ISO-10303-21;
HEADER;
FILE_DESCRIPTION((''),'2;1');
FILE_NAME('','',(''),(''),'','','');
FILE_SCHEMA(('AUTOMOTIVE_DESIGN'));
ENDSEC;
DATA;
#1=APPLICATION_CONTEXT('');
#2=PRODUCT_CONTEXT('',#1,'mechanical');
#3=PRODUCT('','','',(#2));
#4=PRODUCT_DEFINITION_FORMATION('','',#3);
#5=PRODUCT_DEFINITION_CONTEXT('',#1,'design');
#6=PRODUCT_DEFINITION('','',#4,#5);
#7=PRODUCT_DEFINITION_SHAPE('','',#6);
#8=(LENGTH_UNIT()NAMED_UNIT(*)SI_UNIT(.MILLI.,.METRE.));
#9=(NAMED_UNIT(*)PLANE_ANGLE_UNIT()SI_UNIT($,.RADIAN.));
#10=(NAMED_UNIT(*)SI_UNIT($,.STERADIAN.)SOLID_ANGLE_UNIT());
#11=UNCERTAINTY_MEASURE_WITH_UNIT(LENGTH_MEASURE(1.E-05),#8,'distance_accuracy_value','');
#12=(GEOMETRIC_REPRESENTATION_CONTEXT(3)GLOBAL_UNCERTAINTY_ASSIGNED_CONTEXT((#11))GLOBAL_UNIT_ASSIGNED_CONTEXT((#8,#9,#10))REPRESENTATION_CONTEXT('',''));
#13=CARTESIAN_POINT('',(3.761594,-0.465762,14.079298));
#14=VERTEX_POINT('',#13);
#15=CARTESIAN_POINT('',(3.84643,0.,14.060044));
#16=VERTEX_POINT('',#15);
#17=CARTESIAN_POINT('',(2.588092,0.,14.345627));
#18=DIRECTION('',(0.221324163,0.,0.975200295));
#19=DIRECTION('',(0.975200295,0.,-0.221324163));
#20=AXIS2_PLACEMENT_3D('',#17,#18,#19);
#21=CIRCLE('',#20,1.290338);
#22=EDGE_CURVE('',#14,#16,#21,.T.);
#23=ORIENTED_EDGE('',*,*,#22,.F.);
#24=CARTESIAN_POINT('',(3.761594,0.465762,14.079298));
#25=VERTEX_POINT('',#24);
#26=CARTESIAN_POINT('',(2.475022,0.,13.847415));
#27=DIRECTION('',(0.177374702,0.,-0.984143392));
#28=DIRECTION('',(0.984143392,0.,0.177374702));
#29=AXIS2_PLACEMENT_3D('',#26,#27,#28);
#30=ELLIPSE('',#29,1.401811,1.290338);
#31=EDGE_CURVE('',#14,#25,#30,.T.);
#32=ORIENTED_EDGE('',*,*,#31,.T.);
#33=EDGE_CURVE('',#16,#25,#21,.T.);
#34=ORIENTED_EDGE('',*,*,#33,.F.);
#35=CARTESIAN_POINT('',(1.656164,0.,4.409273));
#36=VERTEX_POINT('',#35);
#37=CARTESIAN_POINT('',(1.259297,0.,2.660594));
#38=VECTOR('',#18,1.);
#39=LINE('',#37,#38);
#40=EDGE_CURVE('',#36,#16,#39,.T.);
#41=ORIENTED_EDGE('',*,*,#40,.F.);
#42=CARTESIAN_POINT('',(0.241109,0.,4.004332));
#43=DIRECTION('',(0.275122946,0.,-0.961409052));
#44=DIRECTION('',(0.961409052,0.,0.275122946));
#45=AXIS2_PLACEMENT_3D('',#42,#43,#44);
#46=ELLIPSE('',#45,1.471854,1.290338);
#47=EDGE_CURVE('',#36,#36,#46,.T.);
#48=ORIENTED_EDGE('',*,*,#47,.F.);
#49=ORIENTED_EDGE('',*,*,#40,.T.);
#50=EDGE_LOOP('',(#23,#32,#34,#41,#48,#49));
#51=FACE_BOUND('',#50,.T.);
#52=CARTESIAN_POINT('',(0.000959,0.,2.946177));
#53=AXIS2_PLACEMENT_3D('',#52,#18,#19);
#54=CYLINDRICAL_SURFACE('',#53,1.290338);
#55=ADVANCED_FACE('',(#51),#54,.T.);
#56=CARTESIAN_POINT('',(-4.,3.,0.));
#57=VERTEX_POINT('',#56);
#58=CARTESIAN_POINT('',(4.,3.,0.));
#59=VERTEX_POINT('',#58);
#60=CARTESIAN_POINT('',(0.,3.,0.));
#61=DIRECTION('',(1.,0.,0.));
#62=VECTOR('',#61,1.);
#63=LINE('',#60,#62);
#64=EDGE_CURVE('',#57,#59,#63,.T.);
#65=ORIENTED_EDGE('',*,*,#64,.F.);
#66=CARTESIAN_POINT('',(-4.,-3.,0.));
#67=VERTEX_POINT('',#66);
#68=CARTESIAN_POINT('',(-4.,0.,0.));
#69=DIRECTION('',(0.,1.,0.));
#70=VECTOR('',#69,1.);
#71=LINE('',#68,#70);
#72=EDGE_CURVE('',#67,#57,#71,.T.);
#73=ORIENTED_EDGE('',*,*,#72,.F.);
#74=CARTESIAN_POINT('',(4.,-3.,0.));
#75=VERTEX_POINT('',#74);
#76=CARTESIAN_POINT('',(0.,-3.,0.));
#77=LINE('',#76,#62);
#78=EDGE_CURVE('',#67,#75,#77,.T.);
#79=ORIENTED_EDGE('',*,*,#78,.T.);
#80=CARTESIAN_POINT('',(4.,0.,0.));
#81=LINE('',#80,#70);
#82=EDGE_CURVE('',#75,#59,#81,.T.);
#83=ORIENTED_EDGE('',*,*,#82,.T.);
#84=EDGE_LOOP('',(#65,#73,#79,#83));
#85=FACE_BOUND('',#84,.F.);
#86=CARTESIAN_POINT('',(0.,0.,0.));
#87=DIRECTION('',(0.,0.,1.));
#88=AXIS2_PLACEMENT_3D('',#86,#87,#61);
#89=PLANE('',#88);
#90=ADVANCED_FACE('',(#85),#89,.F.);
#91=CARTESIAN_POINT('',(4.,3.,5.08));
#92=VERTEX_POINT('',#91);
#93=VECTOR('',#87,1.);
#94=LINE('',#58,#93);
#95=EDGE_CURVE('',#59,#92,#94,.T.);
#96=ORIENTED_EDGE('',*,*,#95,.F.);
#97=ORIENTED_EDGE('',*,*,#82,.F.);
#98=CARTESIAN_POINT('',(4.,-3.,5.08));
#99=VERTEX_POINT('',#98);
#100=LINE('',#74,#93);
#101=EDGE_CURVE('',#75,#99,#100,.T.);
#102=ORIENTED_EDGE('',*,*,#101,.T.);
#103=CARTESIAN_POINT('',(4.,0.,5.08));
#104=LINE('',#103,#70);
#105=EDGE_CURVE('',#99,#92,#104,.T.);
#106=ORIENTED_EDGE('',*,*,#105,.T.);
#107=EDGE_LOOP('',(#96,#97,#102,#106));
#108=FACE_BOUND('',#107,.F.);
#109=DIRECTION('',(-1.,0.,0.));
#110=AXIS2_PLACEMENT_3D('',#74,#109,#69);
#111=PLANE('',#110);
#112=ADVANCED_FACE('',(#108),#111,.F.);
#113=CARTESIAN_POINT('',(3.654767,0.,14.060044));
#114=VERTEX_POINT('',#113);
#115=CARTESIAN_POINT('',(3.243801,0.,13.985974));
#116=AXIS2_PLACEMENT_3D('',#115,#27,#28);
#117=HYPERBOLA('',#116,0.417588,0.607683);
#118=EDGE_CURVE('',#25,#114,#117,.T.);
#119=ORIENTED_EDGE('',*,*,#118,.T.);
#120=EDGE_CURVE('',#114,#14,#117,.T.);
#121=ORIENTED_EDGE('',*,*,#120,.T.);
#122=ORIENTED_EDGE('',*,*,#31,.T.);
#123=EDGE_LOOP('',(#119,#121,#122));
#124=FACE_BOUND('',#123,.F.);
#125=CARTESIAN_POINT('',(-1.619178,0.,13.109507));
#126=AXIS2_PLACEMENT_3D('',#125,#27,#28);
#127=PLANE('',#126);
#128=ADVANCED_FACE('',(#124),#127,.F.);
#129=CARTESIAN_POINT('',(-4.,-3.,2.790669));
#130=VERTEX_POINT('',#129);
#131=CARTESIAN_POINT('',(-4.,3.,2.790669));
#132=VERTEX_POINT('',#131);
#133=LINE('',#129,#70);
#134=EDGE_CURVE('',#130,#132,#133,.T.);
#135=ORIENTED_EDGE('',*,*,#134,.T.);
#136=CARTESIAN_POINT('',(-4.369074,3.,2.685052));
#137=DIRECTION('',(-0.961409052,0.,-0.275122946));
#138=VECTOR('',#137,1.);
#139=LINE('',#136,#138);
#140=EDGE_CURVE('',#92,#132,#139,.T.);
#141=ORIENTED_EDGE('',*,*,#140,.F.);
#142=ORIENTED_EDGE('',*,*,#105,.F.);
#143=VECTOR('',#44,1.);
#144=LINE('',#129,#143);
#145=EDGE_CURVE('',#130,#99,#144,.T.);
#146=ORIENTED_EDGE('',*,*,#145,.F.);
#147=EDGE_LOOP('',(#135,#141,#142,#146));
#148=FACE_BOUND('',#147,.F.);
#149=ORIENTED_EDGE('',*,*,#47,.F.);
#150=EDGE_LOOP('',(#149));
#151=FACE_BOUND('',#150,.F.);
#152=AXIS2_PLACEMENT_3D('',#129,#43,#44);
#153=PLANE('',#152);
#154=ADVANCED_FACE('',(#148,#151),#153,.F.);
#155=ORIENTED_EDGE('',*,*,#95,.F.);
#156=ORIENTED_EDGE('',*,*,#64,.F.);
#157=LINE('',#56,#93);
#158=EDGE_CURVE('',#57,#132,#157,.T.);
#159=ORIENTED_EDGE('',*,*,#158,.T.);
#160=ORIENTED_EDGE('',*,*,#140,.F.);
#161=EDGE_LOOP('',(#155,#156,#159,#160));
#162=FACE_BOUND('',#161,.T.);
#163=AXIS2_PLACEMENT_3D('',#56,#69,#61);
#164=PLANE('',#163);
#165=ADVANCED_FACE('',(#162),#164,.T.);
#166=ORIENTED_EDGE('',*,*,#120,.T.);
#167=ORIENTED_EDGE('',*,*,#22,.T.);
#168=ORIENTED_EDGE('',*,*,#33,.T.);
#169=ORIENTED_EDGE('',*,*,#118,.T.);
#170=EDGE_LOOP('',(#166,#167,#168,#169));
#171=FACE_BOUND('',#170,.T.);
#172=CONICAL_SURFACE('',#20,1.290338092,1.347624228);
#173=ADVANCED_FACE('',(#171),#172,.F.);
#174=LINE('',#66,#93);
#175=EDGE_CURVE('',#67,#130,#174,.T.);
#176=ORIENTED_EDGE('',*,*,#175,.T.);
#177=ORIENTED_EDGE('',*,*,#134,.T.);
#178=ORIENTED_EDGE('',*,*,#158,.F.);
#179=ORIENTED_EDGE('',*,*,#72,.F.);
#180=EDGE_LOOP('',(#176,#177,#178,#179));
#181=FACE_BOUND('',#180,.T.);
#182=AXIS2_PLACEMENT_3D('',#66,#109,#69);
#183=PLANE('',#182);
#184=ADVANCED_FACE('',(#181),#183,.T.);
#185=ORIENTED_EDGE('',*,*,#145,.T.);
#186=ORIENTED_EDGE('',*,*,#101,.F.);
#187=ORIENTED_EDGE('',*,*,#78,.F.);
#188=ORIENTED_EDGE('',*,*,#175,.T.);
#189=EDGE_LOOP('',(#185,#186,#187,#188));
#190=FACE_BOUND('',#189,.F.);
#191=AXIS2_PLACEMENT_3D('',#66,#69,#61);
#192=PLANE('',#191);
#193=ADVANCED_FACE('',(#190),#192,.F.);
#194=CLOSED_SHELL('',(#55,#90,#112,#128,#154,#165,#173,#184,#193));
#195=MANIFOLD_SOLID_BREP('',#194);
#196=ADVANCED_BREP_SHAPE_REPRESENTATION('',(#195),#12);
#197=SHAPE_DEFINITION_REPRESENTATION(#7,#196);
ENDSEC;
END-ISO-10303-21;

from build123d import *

# Parameters (mm, degrees)
F0_W     = 8
F0_H     = 6
F1_DEPTH = 5.08
F3_DEPTH = 25.4
F7_DEPTH = 12.7


with BuildPart() as f1:
    # F0 (on Top) → F1 (new body)
    with BuildSketch(Plane.XY):
        Rectangle(F0_W, F0_H)
    extrude(amount=F1_DEPTH)

    # F2 (on face) → F3 (cut)
    with BuildSketch(Plane.XZ.offset(3)):
        Polygon((-4, 2.7906689793), (4, 5.08), (-4, 5.08), align=None)
    extrude(amount=-F3_DEPTH, mode=Mode.SUBTRACT)

    # F4 (on Front) → F5 (revolve)
    with BuildSketch(Plane.XZ):
        Polygon((2.5232785847, 14.0600437298), (0, 2.9419534787), (1.2592966668, 2.6605941821), (3.8464304525, 14.0600437298), align=None)
    revolve(axis=Axis((1.2616392924, 0, 8.5009986043), (0.221324163, 0, 0.9752002947)))

    # F6 (on Front) → F7 (cut, symmetric)
    with BuildSketch(Plane.XZ):
        Polygon((2.4923852179, 17.2210689634), (-1.6191779869, 13.1095070392), (7.5650927611, 14.7648118436), align=None)
    extrude(amount=F7_DEPTH, both=True, mode=Mode.SUBTRACT)


solid = f1.part
